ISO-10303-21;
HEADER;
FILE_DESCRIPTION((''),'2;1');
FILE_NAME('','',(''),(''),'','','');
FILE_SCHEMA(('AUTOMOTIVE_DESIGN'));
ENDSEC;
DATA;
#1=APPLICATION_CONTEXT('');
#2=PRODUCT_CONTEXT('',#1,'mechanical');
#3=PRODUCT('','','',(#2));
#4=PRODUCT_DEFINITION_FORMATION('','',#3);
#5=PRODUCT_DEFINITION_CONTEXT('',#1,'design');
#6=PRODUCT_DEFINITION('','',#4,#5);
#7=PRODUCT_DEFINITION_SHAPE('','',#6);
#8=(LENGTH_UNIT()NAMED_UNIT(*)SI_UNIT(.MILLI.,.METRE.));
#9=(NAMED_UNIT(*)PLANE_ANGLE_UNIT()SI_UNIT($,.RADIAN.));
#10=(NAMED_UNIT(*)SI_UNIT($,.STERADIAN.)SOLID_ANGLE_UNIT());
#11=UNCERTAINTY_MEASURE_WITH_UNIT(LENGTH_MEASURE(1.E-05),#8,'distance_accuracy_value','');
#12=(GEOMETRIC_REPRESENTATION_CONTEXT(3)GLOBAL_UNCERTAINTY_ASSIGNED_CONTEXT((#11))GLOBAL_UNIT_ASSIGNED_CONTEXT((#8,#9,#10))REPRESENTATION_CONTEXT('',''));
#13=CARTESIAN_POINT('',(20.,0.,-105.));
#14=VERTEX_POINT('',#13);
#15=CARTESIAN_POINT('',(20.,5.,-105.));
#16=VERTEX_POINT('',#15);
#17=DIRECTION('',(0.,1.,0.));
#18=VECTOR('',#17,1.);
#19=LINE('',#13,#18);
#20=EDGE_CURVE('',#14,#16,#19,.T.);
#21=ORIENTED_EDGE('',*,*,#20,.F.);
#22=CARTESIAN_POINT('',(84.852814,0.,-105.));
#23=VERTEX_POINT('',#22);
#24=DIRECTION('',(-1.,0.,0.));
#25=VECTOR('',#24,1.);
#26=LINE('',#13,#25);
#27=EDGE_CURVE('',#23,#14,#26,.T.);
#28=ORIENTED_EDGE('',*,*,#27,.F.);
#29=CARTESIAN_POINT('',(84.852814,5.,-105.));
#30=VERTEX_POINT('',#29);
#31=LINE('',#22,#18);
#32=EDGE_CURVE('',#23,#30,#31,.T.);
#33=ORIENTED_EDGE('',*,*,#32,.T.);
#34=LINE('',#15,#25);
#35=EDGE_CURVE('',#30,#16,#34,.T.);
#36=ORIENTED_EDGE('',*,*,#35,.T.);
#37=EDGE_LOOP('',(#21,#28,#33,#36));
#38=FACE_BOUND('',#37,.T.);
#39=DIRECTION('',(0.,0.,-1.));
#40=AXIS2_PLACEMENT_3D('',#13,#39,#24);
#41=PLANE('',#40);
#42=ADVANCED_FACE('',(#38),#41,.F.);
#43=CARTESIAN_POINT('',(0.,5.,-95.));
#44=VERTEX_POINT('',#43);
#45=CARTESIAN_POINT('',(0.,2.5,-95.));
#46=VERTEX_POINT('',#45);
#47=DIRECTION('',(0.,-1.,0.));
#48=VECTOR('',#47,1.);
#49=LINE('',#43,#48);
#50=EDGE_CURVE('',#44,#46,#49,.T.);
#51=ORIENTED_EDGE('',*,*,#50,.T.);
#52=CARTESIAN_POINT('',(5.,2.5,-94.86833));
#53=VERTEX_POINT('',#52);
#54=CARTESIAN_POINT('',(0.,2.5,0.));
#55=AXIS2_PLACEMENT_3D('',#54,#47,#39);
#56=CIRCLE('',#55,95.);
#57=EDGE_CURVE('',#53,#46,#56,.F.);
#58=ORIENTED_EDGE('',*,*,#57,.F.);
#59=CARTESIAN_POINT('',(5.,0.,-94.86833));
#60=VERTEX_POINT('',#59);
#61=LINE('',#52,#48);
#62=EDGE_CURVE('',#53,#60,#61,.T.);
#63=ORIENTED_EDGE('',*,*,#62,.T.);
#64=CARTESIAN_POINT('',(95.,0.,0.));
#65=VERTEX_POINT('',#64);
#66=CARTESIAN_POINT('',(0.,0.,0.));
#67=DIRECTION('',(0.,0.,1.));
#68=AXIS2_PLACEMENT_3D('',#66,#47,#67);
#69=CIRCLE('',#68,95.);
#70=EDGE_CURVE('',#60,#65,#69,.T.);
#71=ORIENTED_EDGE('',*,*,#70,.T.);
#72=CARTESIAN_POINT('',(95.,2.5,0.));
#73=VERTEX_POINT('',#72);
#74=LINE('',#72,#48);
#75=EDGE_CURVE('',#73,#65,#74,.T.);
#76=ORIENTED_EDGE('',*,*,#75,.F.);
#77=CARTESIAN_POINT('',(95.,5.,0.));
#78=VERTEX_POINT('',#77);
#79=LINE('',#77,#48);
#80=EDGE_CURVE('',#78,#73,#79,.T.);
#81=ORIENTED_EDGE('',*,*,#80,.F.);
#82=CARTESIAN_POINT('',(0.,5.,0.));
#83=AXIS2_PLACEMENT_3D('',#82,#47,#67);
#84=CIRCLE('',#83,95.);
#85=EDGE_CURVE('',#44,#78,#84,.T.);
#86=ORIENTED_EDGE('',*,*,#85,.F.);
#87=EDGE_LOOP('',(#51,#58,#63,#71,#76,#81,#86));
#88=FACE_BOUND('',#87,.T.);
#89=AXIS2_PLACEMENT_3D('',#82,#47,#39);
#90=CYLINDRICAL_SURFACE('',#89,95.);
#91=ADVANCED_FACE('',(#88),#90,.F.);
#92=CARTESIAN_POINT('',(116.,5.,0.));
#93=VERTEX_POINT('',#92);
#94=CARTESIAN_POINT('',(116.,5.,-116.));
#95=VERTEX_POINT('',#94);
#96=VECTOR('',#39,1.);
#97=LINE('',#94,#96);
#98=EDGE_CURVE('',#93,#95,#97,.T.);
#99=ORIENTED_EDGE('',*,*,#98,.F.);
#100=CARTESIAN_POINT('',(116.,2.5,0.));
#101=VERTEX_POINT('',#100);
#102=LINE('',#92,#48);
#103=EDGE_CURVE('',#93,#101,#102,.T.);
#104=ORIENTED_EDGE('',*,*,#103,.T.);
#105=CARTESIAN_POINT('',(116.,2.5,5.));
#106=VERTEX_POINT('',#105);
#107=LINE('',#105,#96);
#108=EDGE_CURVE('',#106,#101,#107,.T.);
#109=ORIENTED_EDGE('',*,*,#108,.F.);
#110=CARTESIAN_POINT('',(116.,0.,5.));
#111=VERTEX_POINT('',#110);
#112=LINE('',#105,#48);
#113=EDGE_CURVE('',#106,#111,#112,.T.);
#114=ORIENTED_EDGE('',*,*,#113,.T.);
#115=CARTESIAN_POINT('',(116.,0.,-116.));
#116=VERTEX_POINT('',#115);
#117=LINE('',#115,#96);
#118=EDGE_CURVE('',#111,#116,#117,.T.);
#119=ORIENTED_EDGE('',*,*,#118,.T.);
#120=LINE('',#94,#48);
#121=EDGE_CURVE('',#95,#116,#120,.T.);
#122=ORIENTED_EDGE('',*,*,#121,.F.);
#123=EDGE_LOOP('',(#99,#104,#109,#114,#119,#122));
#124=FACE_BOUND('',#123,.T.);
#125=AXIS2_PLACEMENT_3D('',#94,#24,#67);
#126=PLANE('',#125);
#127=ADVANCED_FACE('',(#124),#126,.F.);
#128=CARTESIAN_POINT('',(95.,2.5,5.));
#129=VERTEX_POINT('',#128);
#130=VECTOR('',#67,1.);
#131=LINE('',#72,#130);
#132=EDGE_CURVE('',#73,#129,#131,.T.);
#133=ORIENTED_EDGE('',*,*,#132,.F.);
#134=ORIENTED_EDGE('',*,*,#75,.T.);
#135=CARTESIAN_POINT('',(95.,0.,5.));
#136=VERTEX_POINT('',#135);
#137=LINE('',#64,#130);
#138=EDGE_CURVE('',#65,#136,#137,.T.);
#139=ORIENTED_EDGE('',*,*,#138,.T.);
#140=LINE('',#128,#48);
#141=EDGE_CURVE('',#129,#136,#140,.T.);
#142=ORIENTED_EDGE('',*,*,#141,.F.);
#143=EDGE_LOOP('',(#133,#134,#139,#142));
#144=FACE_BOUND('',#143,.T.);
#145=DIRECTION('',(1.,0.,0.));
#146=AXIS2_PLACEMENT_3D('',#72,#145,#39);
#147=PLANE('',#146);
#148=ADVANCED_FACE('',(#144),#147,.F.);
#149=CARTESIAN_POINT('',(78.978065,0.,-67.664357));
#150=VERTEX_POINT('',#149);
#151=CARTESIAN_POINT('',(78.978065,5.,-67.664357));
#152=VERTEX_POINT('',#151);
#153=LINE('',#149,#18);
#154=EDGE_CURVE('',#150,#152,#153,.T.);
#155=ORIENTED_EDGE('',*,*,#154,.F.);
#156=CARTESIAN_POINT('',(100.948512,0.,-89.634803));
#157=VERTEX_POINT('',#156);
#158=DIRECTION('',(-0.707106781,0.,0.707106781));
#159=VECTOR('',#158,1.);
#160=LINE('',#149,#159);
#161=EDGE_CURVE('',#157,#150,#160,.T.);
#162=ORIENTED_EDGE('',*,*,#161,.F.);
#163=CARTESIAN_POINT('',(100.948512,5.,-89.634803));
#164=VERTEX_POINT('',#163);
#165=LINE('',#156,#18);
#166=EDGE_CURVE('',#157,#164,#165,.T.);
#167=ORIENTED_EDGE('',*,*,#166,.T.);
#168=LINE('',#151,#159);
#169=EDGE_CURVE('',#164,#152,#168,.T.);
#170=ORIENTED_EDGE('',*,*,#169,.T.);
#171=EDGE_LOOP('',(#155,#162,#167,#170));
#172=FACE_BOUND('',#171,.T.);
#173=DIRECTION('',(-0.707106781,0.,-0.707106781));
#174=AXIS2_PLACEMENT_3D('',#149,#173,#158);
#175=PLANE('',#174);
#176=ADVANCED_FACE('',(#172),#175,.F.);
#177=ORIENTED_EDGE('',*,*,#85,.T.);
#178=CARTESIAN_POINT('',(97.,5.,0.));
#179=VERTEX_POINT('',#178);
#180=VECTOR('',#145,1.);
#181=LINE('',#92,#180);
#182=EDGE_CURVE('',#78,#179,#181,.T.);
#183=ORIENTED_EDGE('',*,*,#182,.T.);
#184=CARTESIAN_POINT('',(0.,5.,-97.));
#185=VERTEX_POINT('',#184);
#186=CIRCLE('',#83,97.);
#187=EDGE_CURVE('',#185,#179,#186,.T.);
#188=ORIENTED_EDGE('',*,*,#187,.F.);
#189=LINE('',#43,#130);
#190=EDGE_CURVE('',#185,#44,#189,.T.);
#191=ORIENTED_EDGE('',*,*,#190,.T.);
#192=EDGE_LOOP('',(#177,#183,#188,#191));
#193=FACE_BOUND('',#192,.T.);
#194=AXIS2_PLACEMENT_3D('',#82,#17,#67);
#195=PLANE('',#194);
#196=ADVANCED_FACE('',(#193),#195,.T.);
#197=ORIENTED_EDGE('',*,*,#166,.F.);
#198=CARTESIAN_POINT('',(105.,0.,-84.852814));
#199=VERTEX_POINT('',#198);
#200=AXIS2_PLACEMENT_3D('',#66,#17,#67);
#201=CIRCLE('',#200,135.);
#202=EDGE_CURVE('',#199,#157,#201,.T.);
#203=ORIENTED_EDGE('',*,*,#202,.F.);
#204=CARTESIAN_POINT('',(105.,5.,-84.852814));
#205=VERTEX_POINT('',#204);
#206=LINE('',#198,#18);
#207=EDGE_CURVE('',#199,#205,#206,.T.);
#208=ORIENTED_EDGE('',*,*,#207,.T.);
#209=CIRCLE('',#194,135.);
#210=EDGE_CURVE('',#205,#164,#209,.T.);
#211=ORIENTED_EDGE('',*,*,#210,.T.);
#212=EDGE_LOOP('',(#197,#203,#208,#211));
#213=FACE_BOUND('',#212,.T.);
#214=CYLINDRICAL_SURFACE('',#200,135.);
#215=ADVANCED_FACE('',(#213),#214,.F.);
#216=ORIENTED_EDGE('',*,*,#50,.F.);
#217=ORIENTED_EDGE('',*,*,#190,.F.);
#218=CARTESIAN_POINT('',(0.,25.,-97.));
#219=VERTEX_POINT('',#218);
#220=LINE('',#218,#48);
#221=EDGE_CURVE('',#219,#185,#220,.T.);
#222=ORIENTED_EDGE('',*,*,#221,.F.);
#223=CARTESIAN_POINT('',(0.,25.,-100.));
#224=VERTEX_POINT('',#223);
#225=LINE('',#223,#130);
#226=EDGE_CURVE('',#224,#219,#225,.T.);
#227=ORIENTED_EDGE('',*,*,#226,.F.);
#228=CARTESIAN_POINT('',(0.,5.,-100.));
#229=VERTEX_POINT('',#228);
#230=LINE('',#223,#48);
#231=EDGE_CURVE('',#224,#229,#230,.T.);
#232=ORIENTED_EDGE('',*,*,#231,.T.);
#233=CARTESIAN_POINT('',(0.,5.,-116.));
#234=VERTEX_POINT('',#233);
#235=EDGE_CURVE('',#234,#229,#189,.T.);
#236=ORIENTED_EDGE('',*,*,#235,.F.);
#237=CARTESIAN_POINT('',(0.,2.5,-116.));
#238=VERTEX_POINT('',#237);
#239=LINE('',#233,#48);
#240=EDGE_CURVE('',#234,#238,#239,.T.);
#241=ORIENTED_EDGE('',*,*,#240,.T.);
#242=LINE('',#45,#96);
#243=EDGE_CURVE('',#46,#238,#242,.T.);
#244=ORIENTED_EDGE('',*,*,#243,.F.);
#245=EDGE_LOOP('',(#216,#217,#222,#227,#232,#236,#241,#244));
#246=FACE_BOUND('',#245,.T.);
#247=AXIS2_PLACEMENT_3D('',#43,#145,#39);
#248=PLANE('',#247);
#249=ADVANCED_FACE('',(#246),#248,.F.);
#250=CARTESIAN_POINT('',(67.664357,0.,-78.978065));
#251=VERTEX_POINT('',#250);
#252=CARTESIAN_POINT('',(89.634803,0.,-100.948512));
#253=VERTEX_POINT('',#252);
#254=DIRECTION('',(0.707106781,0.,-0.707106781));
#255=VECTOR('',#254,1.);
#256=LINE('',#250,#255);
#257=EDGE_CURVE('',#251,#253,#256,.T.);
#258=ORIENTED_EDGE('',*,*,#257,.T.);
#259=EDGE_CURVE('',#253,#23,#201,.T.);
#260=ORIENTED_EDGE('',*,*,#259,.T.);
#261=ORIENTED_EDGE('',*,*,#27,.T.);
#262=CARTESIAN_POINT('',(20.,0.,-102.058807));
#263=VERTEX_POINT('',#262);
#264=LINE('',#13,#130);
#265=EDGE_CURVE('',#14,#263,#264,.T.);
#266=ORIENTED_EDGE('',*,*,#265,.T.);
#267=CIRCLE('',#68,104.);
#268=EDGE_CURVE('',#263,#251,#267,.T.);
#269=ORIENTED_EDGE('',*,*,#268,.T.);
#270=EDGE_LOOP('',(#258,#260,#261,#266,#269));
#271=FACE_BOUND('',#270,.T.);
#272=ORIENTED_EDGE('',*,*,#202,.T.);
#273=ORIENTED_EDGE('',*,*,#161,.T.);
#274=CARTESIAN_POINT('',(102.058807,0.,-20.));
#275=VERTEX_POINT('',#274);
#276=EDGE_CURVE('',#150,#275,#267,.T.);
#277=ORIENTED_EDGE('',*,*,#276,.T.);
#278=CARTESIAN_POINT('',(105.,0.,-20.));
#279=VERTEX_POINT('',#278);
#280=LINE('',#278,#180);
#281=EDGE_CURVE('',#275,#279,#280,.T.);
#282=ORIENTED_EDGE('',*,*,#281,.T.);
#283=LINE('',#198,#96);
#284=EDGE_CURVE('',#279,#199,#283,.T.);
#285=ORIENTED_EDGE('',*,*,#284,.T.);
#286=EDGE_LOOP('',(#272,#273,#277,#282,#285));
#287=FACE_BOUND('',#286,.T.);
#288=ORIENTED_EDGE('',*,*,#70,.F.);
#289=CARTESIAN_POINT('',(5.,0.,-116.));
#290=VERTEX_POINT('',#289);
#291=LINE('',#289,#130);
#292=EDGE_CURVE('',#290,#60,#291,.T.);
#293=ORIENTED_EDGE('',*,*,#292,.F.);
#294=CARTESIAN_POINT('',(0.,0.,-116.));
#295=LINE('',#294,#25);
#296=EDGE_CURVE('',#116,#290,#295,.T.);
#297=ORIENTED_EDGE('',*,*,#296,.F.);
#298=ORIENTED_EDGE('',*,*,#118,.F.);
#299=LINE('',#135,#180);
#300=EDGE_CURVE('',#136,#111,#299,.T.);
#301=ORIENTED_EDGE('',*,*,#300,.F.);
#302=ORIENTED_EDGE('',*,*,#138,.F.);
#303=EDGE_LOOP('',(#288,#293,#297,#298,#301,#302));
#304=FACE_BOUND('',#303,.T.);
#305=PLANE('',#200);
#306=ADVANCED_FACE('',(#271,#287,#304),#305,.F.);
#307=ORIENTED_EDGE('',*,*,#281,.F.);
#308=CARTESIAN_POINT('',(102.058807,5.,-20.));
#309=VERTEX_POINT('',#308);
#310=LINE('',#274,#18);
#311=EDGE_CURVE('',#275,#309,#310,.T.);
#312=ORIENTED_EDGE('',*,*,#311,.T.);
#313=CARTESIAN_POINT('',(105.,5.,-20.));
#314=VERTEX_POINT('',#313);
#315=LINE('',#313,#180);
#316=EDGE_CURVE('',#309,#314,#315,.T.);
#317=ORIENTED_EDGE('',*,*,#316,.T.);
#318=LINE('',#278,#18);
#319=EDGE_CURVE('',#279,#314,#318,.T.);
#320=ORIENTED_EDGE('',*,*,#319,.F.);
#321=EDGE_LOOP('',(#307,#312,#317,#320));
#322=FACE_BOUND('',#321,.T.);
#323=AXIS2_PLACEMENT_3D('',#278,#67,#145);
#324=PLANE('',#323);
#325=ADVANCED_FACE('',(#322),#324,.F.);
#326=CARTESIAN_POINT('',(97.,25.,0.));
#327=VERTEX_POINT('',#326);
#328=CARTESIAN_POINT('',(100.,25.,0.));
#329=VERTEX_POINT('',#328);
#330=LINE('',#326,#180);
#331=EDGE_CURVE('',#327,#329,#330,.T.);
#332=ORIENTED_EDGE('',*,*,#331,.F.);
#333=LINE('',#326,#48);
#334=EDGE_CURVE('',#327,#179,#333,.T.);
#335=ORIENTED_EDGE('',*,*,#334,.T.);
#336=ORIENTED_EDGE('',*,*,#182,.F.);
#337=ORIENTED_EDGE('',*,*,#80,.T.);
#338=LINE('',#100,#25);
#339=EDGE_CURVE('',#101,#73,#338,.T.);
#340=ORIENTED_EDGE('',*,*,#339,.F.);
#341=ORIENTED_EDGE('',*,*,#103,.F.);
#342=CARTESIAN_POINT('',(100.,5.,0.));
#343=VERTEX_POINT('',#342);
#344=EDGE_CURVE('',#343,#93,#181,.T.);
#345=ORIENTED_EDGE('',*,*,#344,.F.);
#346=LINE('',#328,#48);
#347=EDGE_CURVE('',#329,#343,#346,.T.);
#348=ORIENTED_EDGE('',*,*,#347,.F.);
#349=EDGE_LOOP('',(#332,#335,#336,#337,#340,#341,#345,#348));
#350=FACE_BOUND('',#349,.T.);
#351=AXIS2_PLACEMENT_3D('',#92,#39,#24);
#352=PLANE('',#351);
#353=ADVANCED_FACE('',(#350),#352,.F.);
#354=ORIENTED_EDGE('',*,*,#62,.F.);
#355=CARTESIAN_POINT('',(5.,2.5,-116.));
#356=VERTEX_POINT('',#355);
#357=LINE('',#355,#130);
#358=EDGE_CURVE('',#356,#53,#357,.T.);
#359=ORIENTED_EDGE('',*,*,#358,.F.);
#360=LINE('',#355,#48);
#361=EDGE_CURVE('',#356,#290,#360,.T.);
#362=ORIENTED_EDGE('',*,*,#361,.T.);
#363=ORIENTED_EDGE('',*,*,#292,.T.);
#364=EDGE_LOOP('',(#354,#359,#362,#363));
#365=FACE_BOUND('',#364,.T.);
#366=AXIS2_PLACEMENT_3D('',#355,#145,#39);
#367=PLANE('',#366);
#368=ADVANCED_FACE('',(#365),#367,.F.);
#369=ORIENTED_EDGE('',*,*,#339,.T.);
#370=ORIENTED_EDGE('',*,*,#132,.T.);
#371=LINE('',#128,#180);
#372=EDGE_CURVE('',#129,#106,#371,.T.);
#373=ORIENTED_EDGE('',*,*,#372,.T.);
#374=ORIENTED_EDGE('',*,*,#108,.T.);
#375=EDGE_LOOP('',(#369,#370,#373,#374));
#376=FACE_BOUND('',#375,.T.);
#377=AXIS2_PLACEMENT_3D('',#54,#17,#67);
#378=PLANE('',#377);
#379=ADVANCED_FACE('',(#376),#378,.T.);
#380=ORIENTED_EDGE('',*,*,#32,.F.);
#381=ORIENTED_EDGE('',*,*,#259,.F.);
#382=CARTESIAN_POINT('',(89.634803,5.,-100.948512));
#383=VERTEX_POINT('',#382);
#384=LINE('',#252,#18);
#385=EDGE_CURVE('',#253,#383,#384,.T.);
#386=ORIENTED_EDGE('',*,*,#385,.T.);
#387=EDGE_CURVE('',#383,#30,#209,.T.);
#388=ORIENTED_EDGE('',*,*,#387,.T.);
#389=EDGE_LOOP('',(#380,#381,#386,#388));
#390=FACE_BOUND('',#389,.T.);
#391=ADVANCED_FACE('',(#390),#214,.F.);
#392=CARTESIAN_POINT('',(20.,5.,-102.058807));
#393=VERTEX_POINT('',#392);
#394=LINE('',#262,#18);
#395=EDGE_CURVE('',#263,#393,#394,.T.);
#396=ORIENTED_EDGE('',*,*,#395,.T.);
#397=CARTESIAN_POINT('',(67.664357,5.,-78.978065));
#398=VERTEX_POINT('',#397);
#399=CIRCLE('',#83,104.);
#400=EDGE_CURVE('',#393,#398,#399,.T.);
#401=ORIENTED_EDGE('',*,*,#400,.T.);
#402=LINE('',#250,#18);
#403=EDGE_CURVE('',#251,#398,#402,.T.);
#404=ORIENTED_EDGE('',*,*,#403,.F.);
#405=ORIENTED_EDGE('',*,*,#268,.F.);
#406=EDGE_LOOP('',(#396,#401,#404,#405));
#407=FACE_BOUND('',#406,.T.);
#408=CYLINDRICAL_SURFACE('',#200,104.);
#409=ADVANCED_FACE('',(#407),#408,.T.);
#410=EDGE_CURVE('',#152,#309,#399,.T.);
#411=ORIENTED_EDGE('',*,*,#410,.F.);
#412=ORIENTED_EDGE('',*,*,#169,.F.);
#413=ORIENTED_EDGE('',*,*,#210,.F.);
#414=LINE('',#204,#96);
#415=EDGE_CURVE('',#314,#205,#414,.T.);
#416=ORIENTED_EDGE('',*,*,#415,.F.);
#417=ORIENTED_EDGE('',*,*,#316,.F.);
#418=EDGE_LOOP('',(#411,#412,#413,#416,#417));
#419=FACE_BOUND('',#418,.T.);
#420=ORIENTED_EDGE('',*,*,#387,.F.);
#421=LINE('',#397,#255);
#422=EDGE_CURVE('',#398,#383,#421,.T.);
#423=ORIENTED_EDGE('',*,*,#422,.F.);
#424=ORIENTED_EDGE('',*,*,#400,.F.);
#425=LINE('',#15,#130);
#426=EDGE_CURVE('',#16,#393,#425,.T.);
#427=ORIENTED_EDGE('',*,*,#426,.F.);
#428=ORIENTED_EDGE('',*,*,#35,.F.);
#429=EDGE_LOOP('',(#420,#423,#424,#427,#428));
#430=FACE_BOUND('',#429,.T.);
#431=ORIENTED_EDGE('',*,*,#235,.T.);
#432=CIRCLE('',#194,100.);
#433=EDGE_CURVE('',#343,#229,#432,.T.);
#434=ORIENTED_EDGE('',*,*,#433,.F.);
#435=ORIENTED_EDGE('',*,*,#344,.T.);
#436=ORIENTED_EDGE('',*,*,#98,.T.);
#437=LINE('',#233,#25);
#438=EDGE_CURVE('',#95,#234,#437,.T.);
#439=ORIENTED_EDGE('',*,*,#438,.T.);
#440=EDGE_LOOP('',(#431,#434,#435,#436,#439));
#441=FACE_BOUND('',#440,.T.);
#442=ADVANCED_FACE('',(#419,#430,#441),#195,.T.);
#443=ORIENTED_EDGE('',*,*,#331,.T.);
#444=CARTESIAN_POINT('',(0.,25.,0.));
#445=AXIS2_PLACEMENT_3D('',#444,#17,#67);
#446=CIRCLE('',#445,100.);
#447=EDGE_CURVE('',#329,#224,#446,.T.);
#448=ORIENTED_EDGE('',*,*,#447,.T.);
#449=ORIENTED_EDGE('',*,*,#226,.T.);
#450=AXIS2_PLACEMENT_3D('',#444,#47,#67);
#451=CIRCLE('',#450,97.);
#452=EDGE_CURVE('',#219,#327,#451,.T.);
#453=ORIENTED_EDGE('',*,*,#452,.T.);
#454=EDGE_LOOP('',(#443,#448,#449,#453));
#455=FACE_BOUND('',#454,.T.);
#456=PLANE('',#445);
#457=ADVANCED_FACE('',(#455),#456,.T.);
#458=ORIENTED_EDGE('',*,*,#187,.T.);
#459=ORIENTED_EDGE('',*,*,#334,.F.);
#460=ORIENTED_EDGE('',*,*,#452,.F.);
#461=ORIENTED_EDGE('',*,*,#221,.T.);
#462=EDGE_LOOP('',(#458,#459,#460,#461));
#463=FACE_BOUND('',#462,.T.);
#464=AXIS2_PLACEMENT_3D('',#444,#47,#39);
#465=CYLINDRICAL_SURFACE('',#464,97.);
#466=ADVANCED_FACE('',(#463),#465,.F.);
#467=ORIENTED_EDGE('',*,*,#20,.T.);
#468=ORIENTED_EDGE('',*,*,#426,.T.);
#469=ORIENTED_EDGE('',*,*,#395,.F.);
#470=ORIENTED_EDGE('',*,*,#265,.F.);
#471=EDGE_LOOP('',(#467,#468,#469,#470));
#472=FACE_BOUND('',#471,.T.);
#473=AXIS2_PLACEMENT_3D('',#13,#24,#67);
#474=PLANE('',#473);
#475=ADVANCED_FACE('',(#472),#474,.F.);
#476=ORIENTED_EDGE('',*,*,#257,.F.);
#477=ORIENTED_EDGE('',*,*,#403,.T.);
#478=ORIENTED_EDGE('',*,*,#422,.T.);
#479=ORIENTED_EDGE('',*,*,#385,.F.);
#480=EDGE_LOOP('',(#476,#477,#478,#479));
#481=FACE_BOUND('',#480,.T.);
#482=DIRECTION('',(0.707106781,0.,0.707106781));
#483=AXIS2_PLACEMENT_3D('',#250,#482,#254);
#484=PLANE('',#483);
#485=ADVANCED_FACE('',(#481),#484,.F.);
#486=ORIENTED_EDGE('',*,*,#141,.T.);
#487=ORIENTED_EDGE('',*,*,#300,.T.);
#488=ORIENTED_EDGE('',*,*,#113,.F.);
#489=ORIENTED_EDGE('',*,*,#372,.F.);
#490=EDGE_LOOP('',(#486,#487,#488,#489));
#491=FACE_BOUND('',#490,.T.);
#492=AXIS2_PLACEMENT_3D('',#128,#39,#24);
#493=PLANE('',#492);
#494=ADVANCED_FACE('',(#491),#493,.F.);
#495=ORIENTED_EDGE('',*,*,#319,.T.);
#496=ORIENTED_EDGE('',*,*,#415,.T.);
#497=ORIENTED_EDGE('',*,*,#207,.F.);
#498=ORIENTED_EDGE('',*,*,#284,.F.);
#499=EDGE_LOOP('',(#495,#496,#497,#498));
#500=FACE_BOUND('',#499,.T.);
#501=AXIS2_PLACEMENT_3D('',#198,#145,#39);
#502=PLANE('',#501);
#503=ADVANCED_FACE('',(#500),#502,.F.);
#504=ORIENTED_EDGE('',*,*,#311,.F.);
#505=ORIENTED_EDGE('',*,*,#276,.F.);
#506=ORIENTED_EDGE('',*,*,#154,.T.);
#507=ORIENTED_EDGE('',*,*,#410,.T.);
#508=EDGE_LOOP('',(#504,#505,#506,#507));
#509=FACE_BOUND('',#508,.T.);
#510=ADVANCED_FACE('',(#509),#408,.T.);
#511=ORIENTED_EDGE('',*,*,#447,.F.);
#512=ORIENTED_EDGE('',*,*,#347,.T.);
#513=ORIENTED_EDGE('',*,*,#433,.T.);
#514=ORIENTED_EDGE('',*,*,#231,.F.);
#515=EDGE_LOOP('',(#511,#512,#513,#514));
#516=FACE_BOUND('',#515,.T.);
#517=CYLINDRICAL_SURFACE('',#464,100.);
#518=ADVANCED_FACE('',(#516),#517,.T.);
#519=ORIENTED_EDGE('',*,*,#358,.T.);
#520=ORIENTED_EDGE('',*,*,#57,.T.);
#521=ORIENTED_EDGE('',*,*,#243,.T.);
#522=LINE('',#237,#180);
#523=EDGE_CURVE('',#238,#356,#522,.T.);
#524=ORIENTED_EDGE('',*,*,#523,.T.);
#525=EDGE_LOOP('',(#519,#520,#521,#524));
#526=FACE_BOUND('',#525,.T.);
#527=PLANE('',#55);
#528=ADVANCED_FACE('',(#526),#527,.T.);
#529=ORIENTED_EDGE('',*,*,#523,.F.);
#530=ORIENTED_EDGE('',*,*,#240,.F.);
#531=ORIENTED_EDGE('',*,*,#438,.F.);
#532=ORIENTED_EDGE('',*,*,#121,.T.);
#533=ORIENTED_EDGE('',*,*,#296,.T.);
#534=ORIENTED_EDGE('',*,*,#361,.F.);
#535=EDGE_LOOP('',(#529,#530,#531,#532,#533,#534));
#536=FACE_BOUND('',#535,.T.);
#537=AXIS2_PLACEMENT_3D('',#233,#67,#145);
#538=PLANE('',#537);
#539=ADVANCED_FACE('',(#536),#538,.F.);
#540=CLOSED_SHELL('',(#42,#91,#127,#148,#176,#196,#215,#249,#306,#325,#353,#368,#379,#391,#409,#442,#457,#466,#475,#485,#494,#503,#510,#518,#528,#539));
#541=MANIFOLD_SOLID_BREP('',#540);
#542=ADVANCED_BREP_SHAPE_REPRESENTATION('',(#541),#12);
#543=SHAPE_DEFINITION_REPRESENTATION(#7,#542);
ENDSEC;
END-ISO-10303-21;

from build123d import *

# Parameters (mm, degrees)
EXTRUDE_1_DEPTH     = 5
EXTRUDE_2_DEPTH     = 20
CUT_EXTRUDE_1_DEPTH = 166.263426081
CUT_EXTRUDE_2_DEPTH = 2.5
SKETCH_6_W          = 21
SKETCH_6_H          = 5
EXTRUDE_3_DEPTH     = 2.5


with BuildPart() as part:
    # 스케치1 → 보스-돌출1 (new body)
    with BuildSketch(Plane(origin=(0, 0, 0), x_dir=(1, 0, 0), z_dir=(0, 1, 0))):
        with BuildLine():
            Line((0, 95), (0, 116))
            Line((0, 116), (116, 116))
            Line((116, 116), (116, 0))
            Line((116, 0), (95, 0))
            ThreePointArc((95, 0), (67.175144213, 67.175144213), (0, 95))
        make_face()
    extrude(amount=EXTRUDE_1_DEPTH)

    # 스케치2 → 보스-돌출2 (add)
    with BuildSketch(Plane(origin=(0, 5, 0), x_dir=(1, 0, 0), z_dir=(0, 1, 0))):
        with BuildLine():
            Line((97, 0), (100, 0))
            ThreePointArc((100, 0), (70.710678119, 70.710678119), (0, 100))
            Line((0, 100), (0, 97))
            ThreePointArc((0, 97), (68.589357775, 68.589357775), (97, 0))
        make_face()
    extrude(amount=EXTRUDE_2_DEPTH)

    # 스케치3 → 컷-돌출1 (cut, through all)
    with BuildSketch(Plane(origin=(0, 5, 0), x_dir=(1, 0, 0), z_dir=(0, 1, 0))):
        with BuildLine():
            Line((20, 105), (84.852813742, 105))
            ThreePointArc((84.852813742, 105), (87.267323582, 103.002010829), (89.634803308, 100.948511807))
            Line((89.634803308, 100.948511807), (67.66435687, 78.978065369))
            ThreePointArc((67.66435687, 78.978065369), (45.325930989, 93.603204966), (20, 102.058806577))
            Line((20, 102.058806577), (20, 105))
        make_face()
        with BuildLine():
            Line((105, 84.852813742), (105, 20))
            Line((105, 20), (102.058806577, 20))
            ThreePointArc((102.058806577, 20), (93.603204966, 45.325930989), (78.978065369, 67.66435687))
            Line((78.978065369, 67.66435687), (100.948511807, 89.634803308))
            ThreePointArc((100.948511807, 89.634803308), (103.002010829, 87.267323582), (105, 84.852813742))
        make_face()
    extrude(amount=-CUT_EXTRUDE_1_DEPTH, mode=Mode.SUBTRACT)

    # 스케치5 → 컷-돌출2 (cut)
    with BuildSketch(Plane.XZ):
        Polygon((0, -95), (0, -116), (5, -116), (5, -94.868329805), align=None)
    extrude(amount=-CUT_EXTRUDE_2_DEPTH, mode=Mode.SUBTRACT)

    # 스케치6 → 보스-돌출3 (add)
    with BuildSketch(Plane(origin=(0, 0, 0), x_dir=(1, 0, 0), z_dir=(0, 1, 0))):
        with Locations((105.5, -2.5)):
            Rectangle(SKETCH_6_W, SKETCH_6_H)
    extrude(amount=EXTRUDE_3_DEPTH)


solid = part.part
